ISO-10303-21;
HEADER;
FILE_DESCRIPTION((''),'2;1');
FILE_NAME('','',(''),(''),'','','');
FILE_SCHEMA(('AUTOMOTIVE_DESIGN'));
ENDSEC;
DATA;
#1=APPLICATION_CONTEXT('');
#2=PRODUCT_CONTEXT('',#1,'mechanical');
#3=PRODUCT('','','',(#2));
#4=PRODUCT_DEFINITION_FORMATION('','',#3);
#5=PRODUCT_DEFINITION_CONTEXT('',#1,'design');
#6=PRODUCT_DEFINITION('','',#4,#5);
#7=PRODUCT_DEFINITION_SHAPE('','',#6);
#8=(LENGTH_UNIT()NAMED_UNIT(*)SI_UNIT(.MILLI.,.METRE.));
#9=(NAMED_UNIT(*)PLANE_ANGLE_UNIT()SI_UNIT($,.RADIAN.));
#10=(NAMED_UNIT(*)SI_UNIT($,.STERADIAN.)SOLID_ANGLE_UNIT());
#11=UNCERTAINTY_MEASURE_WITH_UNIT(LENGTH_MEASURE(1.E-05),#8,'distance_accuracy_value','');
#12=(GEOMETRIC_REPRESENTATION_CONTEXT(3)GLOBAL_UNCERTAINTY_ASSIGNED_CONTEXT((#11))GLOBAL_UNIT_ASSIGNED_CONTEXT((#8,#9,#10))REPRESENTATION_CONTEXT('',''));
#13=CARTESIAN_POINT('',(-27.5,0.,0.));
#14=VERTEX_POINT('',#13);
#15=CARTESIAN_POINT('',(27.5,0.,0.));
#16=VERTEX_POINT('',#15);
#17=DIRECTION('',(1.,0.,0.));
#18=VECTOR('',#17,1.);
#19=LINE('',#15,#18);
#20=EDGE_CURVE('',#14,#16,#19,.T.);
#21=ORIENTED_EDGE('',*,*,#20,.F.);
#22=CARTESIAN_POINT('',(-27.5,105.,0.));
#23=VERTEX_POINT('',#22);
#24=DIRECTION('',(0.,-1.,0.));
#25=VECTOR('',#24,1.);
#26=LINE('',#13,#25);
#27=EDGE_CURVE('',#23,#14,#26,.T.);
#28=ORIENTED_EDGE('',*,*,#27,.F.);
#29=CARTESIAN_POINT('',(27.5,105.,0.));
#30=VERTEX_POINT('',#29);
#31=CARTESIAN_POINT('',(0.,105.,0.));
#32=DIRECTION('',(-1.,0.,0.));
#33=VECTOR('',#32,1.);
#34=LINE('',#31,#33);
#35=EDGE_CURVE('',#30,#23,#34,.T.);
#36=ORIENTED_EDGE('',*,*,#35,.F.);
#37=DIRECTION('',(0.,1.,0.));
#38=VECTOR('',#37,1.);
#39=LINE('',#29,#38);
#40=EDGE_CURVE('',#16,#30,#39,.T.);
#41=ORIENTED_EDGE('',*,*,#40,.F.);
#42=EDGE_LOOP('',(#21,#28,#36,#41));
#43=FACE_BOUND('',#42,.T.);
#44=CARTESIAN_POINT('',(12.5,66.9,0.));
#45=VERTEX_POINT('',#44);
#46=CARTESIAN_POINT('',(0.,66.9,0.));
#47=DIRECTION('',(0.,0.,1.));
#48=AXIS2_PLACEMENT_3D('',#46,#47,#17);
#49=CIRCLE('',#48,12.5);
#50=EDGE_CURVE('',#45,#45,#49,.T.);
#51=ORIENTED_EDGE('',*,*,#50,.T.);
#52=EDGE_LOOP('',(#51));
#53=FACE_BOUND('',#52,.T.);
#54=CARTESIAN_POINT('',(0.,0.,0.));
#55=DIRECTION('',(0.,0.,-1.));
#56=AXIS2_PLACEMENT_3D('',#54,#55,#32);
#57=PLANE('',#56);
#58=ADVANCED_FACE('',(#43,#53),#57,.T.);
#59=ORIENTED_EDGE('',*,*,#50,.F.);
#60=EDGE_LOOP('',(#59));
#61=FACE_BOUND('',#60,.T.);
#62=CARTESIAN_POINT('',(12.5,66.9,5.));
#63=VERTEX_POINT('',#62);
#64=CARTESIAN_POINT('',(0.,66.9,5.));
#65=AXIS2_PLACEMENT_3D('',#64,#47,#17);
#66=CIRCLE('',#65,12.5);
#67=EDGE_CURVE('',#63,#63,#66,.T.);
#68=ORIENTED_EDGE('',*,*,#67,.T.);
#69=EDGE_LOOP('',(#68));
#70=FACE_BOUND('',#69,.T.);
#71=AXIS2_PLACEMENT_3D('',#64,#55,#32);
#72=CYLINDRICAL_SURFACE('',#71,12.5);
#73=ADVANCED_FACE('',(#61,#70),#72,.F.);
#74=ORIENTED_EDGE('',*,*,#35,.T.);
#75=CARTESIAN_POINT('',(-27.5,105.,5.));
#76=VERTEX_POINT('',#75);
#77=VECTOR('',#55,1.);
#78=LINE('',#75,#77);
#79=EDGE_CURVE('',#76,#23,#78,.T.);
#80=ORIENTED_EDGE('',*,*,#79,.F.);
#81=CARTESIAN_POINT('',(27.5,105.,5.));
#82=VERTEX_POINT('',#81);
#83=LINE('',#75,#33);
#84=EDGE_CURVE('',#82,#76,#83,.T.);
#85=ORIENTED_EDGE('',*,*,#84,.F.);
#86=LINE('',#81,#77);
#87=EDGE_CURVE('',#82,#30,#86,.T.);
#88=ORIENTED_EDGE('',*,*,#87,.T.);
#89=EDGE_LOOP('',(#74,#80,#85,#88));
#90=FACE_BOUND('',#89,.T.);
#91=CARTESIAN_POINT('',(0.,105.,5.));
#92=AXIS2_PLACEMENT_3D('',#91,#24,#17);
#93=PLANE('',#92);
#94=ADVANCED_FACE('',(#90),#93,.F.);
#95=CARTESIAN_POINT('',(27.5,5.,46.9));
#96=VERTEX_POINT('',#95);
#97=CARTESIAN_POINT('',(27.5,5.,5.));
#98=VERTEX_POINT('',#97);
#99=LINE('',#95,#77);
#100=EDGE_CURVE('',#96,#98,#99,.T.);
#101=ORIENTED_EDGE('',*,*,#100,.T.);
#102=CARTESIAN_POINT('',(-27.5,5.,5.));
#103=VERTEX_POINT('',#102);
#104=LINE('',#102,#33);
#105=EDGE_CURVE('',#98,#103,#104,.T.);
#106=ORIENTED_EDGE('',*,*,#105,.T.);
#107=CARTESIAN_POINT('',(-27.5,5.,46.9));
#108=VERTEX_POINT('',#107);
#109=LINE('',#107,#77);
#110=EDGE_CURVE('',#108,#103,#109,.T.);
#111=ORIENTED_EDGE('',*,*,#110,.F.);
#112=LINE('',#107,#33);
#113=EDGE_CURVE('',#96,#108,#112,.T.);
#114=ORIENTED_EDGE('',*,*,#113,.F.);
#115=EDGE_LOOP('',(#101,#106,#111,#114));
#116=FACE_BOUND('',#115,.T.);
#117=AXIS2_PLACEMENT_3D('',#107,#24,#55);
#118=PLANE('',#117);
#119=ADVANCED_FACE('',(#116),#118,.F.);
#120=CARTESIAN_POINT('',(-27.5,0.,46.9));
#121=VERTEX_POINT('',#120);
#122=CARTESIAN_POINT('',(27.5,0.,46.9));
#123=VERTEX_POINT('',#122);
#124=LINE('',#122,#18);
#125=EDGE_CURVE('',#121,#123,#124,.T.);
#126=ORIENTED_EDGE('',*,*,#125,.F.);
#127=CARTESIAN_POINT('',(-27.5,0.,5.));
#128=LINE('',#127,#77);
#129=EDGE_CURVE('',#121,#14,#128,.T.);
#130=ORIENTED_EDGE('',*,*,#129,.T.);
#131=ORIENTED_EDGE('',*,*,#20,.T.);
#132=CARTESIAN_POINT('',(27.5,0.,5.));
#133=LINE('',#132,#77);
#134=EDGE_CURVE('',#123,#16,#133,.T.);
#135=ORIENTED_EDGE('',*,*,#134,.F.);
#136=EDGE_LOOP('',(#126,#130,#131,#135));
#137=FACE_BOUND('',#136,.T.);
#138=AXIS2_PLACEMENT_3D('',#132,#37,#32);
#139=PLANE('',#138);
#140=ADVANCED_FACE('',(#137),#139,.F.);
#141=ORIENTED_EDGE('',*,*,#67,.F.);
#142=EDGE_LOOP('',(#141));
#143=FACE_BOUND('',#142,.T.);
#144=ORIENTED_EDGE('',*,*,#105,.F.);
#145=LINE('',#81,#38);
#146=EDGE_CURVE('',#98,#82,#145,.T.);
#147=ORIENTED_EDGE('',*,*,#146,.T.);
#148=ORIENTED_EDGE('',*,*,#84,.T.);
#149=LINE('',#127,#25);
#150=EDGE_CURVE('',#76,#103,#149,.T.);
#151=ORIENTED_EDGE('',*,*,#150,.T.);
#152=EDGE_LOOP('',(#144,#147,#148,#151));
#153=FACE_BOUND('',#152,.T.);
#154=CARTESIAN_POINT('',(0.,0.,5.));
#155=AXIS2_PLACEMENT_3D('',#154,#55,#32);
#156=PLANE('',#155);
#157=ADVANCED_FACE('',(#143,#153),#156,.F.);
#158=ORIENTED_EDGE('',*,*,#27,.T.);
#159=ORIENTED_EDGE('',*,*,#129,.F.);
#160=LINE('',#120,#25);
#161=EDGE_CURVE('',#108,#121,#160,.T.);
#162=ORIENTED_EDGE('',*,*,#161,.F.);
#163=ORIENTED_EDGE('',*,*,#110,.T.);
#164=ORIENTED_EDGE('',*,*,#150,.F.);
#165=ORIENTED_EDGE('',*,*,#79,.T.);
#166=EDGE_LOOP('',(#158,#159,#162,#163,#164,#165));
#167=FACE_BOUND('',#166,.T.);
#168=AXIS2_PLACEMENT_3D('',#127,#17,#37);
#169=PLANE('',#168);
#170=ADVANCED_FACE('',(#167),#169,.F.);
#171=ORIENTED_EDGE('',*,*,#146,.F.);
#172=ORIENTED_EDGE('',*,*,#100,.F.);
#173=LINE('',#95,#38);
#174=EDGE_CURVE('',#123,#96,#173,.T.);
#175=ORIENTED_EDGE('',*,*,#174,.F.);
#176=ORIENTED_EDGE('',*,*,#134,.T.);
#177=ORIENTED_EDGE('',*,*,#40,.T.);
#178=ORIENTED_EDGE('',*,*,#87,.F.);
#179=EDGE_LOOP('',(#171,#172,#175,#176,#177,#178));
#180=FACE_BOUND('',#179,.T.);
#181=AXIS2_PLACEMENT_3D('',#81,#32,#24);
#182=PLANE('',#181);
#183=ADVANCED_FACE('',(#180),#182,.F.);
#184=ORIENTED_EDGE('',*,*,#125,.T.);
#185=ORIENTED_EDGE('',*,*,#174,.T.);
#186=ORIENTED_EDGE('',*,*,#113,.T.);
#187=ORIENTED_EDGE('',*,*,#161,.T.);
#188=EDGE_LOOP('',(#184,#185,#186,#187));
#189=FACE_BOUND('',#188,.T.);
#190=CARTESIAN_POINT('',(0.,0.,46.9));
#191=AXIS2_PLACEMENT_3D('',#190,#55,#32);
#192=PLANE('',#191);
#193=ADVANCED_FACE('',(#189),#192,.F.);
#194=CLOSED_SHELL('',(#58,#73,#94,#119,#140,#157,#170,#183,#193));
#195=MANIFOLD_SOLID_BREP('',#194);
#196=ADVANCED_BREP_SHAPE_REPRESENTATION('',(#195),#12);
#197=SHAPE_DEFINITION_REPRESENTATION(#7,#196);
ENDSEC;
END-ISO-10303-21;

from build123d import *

# Parameters (mm, degrees)
CROQUIS1_R              = 12.5
SALIENTE_EXTRUIR1_DEPTH = 5
CROQUIS2_W              = 55
CROQUIS2_H              = 5
SALIENTE_EXTRUIR2_DEPTH = 41.9


with BuildPart() as part:
    # Croquis1 → Saliente-Extruir1 (new body)
    with BuildSketch(Plane.XY):
        Polygon((0, 105), (27.5, 105), (27.5, 0), (-27.5, 0), (-27.5, 105), align=None)
        with Locations((0, 66.9)):
            Circle(CROQUIS1_R, mode=Mode.SUBTRACT)
    extrude(amount=SALIENTE_EXTRUIR1_DEPTH)

    # Croquis2 → Saliente-Extruir2 (add)
    with BuildSketch(Plane.XY.offset(5)):
        with Locations((0, 2.5)):
            Rectangle(CROQUIS2_W, CROQUIS2_H)
    extrude(amount=SALIENTE_EXTRUIR2_DEPTH)


solid = part.part
